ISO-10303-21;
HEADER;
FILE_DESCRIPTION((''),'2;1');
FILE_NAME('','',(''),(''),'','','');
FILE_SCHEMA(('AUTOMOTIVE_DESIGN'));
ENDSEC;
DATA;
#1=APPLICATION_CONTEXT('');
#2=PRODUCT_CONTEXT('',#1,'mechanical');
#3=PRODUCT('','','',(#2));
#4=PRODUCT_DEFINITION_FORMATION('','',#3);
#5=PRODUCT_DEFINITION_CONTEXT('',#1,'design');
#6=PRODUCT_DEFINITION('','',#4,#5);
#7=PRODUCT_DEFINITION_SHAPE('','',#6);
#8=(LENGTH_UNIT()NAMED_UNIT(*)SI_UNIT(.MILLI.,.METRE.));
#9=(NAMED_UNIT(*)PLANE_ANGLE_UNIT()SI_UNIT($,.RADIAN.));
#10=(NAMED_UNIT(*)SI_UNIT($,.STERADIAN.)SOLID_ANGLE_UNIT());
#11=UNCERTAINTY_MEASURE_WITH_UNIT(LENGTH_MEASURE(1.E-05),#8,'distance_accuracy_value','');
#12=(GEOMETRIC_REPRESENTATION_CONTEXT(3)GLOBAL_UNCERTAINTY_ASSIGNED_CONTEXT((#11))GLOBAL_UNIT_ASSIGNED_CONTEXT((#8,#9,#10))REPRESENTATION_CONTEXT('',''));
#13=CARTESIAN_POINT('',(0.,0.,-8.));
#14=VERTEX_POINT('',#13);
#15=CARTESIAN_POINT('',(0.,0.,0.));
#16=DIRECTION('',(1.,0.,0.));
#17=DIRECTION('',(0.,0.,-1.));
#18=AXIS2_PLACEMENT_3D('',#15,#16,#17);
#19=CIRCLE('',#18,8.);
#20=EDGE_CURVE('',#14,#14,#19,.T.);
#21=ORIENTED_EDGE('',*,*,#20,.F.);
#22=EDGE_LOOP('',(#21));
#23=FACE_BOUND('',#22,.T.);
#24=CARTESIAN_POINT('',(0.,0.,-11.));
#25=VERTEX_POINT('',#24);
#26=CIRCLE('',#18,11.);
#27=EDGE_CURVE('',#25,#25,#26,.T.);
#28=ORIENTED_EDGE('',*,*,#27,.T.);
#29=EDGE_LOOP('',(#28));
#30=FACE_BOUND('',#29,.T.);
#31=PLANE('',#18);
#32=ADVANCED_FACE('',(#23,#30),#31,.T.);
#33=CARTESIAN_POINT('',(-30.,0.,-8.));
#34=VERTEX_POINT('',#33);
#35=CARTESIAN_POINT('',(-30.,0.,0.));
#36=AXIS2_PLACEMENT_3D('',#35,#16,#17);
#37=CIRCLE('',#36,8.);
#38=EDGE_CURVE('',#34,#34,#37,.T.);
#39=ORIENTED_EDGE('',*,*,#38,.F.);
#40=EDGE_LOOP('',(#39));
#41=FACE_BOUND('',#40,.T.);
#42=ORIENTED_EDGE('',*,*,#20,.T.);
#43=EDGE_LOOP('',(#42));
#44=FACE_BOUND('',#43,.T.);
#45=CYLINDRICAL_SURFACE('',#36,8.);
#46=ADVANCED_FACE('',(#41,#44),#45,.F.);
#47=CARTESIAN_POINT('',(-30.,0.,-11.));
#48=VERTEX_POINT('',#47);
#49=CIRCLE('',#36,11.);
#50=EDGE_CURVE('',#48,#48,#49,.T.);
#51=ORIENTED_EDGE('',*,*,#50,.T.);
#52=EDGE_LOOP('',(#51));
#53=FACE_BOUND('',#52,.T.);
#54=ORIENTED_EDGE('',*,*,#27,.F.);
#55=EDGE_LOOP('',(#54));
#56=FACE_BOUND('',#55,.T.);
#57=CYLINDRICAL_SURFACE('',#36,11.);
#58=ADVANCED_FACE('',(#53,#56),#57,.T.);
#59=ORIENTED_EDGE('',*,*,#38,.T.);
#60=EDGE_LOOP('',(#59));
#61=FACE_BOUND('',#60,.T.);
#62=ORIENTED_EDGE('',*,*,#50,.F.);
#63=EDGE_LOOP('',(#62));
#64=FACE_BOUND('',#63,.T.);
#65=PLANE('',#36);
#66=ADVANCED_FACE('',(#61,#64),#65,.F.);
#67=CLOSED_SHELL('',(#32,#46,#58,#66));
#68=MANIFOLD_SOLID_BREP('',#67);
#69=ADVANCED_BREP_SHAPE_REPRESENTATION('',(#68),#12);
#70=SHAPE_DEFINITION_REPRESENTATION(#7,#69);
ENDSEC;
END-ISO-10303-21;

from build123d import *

# Parameters (mm, degrees)
SKETCH_1_R      = 11
SKETCH_1_R_2    = 8
EXTRUDE_1_DEPTH = 30


with BuildPart() as part:
    # 草图1 → 凸台-拉伸1 (new body)
    with BuildSketch(Plane(origin=(0, 0, 0), x_dir=(0, 0, -1), z_dir=(1, 0, 0))):
        Circle(SKETCH_1_R)
        Circle(SKETCH_1_R_2, mode=Mode.SUBTRACT)
    extrude(amount=-EXTRUDE_1_DEPTH)


solid = part.part
